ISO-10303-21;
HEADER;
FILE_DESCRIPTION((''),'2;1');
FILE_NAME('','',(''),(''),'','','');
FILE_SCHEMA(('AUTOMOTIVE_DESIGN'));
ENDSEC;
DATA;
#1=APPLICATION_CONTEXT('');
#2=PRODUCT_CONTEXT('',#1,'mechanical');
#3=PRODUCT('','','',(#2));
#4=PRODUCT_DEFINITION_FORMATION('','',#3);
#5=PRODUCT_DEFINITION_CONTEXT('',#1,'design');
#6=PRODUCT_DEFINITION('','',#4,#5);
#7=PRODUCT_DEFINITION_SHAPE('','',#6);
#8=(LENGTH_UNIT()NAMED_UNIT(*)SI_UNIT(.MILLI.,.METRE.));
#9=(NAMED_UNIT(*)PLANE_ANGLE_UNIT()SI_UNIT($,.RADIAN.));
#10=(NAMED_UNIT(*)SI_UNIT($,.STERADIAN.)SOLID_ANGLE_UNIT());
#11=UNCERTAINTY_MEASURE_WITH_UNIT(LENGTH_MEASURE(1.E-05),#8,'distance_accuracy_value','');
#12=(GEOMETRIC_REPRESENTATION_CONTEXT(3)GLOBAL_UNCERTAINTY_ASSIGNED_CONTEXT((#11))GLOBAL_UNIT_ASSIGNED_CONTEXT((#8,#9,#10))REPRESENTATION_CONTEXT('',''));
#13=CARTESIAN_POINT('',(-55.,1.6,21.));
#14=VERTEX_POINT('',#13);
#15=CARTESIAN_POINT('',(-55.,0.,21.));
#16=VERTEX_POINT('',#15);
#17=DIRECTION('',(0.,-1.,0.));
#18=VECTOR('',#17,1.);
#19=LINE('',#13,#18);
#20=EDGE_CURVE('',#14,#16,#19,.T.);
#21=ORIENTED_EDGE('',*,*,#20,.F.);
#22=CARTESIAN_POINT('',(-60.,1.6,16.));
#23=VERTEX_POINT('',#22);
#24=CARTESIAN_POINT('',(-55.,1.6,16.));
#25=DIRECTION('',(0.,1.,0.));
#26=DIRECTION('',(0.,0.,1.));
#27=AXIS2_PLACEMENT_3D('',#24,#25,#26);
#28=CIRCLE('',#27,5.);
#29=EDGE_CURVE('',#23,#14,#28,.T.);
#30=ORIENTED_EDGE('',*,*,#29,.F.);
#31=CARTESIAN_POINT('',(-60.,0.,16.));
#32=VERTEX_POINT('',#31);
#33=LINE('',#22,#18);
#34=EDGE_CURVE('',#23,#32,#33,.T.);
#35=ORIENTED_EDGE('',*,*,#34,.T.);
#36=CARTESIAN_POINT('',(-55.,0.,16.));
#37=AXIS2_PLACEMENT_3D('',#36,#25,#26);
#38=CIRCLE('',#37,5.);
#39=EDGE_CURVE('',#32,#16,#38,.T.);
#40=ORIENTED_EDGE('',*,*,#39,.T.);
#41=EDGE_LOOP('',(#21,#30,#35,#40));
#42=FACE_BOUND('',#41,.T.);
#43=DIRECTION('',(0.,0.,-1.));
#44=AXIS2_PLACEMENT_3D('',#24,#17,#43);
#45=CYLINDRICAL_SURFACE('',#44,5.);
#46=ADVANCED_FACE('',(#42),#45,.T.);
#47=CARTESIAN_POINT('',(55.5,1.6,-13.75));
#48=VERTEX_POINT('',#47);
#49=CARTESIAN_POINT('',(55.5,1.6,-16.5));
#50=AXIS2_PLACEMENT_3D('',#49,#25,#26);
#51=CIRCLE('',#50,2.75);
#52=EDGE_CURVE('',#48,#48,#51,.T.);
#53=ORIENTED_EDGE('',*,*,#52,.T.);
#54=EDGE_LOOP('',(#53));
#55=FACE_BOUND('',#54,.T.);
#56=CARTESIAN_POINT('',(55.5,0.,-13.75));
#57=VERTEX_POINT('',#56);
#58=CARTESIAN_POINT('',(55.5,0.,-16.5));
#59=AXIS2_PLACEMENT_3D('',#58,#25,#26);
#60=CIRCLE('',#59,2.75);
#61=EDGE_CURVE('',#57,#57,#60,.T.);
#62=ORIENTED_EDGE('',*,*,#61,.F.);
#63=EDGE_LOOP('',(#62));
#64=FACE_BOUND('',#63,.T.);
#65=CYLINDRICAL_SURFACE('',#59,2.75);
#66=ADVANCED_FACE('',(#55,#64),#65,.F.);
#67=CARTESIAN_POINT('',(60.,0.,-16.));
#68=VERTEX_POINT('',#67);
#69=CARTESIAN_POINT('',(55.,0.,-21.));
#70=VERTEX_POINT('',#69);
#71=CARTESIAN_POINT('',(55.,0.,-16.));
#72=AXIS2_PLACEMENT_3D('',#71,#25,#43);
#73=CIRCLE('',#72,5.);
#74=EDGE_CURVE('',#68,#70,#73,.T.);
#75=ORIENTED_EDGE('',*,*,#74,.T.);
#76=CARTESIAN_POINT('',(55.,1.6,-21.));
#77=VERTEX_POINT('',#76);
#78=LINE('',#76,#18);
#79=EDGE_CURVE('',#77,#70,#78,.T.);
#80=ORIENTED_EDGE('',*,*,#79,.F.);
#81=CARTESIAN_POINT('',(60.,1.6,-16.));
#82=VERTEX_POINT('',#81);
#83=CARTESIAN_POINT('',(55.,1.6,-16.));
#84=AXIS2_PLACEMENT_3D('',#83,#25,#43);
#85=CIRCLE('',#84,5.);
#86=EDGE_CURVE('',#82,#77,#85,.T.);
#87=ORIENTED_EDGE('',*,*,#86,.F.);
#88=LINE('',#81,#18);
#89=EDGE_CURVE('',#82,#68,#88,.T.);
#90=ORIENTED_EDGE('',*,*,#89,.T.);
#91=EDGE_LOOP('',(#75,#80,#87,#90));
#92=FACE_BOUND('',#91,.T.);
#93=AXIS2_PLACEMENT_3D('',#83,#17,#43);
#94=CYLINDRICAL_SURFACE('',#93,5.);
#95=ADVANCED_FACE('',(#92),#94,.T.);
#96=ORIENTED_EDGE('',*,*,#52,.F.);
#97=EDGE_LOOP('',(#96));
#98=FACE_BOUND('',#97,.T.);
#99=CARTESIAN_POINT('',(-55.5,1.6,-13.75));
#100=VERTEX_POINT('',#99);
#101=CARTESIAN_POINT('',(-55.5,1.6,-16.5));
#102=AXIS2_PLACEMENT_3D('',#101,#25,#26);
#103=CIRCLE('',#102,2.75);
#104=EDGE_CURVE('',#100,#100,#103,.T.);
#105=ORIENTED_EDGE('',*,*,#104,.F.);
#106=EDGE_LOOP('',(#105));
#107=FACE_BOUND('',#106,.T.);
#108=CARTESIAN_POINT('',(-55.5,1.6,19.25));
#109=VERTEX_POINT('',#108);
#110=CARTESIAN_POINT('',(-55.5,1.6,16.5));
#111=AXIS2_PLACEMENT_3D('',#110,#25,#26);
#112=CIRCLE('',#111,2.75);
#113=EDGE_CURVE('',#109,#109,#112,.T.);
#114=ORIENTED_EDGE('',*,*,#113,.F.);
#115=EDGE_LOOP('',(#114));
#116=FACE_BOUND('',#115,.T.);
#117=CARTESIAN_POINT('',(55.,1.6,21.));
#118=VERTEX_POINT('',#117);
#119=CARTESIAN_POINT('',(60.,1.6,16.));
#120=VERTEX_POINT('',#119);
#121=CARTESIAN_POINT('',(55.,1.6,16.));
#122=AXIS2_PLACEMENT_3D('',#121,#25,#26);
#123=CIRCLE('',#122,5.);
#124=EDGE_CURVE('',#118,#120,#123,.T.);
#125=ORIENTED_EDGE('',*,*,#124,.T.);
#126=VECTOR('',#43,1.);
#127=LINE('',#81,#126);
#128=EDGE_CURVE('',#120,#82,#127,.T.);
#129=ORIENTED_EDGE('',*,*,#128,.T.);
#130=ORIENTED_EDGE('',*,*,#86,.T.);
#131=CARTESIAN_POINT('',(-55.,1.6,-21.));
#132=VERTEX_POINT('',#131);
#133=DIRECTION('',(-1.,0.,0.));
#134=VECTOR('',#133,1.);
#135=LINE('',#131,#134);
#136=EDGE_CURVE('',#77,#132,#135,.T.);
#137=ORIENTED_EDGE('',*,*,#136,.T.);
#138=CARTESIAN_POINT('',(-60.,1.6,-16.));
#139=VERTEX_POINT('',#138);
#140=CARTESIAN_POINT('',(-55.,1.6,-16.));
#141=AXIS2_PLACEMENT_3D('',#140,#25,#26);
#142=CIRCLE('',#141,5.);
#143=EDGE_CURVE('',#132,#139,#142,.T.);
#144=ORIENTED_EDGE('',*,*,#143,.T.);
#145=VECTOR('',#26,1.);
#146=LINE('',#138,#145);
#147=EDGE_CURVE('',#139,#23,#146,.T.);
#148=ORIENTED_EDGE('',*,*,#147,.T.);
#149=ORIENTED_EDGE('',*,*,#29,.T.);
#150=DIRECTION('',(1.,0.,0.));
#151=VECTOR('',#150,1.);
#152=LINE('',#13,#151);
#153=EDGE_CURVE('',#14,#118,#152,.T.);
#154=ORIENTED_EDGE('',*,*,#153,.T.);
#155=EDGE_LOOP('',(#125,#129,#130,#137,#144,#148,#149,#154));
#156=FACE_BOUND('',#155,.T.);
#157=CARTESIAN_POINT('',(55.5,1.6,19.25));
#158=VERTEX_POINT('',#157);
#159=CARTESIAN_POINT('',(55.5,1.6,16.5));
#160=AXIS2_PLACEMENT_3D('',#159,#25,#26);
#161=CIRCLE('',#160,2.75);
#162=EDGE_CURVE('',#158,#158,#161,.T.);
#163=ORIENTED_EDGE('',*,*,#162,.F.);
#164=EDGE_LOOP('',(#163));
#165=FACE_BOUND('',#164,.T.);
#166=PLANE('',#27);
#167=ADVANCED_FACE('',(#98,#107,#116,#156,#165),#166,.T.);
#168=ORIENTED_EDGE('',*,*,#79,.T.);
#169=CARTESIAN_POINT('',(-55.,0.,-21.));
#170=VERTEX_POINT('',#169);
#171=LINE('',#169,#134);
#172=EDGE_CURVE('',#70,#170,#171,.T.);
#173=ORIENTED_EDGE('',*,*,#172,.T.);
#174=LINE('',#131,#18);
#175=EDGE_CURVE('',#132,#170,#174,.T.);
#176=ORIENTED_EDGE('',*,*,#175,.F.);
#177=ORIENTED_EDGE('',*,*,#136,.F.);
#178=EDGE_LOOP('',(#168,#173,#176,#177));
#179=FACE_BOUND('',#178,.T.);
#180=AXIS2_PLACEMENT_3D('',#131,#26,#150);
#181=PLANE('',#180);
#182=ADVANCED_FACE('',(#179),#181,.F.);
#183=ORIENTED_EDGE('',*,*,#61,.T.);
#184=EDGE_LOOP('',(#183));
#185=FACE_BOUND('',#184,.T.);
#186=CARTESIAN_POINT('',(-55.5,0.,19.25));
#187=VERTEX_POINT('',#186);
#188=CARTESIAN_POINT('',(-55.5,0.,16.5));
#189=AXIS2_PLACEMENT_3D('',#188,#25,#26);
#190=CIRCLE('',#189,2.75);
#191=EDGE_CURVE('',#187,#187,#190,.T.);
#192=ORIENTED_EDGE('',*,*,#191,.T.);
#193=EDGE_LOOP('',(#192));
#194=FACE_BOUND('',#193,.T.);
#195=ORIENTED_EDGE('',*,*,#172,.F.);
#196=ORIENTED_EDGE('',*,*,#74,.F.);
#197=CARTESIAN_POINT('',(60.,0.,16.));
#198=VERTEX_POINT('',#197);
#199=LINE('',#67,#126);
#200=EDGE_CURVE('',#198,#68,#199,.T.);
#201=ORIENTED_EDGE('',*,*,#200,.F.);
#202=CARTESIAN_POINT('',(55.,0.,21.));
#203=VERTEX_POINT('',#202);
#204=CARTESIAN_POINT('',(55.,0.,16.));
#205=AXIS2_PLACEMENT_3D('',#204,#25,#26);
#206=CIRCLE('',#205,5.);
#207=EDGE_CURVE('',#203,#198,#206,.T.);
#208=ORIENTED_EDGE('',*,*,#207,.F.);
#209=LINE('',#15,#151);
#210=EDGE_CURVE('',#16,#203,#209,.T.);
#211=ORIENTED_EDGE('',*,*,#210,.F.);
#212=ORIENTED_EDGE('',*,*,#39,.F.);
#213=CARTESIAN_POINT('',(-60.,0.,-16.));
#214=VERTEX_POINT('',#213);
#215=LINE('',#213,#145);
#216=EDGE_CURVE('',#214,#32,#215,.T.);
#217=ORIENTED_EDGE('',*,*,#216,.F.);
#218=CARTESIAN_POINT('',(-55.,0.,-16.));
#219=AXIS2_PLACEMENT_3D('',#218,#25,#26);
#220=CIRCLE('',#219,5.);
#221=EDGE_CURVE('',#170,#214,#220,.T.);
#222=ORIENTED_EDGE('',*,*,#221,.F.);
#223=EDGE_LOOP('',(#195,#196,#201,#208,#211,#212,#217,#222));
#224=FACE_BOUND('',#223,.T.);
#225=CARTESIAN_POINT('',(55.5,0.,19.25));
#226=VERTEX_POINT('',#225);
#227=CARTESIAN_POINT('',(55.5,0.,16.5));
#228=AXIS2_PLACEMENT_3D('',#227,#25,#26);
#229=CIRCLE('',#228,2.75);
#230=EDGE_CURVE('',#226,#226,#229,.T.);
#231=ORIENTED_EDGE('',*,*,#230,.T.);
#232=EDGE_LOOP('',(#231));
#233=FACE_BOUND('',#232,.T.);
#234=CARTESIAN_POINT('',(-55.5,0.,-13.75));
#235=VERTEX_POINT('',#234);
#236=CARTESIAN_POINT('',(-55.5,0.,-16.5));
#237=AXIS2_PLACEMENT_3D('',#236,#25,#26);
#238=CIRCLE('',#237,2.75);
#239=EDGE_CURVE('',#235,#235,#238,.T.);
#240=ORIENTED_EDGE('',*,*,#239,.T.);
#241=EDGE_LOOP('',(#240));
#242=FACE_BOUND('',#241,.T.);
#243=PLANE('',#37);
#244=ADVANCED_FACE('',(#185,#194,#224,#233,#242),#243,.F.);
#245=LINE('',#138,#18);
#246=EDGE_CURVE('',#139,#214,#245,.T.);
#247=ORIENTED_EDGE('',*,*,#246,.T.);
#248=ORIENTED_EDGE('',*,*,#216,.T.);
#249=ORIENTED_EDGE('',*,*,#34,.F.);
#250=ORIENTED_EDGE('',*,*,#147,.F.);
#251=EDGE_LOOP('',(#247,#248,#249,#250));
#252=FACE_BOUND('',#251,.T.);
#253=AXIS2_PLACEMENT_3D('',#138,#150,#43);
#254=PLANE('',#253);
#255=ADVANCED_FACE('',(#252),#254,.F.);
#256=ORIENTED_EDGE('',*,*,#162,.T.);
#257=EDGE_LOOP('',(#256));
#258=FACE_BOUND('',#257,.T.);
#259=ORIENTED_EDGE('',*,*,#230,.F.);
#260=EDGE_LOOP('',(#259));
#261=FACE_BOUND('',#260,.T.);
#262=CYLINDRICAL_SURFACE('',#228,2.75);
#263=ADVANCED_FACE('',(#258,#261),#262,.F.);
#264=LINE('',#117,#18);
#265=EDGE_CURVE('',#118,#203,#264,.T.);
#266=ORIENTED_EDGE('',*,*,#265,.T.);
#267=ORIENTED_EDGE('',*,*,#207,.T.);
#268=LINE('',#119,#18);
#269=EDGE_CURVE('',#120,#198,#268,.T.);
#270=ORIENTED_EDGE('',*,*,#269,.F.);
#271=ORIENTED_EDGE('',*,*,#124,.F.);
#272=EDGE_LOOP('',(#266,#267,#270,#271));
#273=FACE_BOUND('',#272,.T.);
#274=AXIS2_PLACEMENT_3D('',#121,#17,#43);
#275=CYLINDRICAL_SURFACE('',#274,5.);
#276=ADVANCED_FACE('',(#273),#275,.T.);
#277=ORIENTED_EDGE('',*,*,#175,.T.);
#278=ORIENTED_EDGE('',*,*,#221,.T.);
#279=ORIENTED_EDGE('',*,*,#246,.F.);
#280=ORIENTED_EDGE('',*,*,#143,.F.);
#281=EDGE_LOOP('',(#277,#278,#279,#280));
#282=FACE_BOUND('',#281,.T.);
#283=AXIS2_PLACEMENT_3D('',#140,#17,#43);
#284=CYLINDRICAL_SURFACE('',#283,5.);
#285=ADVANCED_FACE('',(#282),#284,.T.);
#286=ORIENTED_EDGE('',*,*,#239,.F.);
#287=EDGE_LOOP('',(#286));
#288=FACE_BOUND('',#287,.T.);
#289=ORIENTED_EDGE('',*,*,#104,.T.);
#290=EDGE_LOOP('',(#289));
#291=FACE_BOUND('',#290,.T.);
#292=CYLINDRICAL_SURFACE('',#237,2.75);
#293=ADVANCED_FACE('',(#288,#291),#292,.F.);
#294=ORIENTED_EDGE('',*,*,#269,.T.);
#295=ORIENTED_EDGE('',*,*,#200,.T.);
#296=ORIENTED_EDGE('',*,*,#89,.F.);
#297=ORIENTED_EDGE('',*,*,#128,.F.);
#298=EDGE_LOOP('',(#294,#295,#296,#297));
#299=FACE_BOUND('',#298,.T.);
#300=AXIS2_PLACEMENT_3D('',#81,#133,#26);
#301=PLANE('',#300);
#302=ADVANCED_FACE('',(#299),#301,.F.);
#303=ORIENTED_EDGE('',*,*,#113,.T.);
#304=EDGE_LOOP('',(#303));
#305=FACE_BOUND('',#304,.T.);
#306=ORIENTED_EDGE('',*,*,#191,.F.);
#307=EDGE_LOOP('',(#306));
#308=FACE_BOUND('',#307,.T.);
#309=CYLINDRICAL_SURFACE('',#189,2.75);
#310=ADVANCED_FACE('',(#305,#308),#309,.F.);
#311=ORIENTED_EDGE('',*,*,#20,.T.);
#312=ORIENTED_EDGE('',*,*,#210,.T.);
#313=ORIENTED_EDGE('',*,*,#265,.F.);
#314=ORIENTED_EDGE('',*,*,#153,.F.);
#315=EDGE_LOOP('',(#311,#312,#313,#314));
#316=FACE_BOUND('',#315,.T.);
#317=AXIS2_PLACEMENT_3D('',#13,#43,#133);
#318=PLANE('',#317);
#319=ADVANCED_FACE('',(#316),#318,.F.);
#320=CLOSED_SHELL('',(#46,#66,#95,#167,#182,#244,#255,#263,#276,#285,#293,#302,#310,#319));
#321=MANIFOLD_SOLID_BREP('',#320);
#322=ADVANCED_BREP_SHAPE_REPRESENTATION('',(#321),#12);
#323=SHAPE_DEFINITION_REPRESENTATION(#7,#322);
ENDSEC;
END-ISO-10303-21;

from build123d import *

# Parameters (mm, degrees)
AUFSATZ_LINEAR_AUSTRAGEN1_DEPTH = 1.6
SKIZZE2_R                       = 2.75
SCHNITT_LINEAR_AUSTRAGEN1_DEPTH = 64.588992758


with BuildPart() as part:
    # Skizze1 → Aufsatz-Linear austragen1 (new body)
    with BuildSketch(Plane(origin=(0, 0, 0), x_dir=(1, 0, 0), z_dir=(0, 1, 0))):
        with BuildLine():
            Line((-55, 21), (55, 21))
            ThreePointArc((55, 21), (58.535533906, 19.535533906), (60, 16))
            Line((60, 16), (60, -16))
            ThreePointArc((60, -16), (58.535533906, -19.535533906), (55, -21))
            Line((55, -21), (-55, -21))
            ThreePointArc((-55, -21), (-58.535533906, -19.535533906), (-60, -16))
            Line((-60, -16), (-60, 16))
            ThreePointArc((-60, 16), (-58.535533906, 19.535533906), (-55, 21))
        make_face()
    extrude(amount=AUFSATZ_LINEAR_AUSTRAGEN1_DEPTH)

    # Skizze2 → Schnitt-Linear austragen1 (cut, through all)
    with BuildSketch(Plane(origin=(0, 1.6, 0), x_dir=(1, 0, 0), z_dir=(0, 1, 0))):
        with Locations(Location((-55.5, 16.5, 0), (0, 0, 270))):
            Circle(SKIZZE2_R)
        with Locations(Location((-55.5, -16.5, 0), (0, 0, 270))):
            Circle(SKIZZE2_R)
        with Locations(Location((55.5, 16.5, 0), (0, 0, 270))):
            Circle(SKIZZE2_R)
        with Locations(Location((55.5, -16.5, 0), (0, 0, 270))):
            Circle(SKIZZE2_R)
    extrude(amount=-SCHNITT_LINEAR_AUSTRAGEN1_DEPTH, mode=Mode.SUBTRACT)


solid = part.part
